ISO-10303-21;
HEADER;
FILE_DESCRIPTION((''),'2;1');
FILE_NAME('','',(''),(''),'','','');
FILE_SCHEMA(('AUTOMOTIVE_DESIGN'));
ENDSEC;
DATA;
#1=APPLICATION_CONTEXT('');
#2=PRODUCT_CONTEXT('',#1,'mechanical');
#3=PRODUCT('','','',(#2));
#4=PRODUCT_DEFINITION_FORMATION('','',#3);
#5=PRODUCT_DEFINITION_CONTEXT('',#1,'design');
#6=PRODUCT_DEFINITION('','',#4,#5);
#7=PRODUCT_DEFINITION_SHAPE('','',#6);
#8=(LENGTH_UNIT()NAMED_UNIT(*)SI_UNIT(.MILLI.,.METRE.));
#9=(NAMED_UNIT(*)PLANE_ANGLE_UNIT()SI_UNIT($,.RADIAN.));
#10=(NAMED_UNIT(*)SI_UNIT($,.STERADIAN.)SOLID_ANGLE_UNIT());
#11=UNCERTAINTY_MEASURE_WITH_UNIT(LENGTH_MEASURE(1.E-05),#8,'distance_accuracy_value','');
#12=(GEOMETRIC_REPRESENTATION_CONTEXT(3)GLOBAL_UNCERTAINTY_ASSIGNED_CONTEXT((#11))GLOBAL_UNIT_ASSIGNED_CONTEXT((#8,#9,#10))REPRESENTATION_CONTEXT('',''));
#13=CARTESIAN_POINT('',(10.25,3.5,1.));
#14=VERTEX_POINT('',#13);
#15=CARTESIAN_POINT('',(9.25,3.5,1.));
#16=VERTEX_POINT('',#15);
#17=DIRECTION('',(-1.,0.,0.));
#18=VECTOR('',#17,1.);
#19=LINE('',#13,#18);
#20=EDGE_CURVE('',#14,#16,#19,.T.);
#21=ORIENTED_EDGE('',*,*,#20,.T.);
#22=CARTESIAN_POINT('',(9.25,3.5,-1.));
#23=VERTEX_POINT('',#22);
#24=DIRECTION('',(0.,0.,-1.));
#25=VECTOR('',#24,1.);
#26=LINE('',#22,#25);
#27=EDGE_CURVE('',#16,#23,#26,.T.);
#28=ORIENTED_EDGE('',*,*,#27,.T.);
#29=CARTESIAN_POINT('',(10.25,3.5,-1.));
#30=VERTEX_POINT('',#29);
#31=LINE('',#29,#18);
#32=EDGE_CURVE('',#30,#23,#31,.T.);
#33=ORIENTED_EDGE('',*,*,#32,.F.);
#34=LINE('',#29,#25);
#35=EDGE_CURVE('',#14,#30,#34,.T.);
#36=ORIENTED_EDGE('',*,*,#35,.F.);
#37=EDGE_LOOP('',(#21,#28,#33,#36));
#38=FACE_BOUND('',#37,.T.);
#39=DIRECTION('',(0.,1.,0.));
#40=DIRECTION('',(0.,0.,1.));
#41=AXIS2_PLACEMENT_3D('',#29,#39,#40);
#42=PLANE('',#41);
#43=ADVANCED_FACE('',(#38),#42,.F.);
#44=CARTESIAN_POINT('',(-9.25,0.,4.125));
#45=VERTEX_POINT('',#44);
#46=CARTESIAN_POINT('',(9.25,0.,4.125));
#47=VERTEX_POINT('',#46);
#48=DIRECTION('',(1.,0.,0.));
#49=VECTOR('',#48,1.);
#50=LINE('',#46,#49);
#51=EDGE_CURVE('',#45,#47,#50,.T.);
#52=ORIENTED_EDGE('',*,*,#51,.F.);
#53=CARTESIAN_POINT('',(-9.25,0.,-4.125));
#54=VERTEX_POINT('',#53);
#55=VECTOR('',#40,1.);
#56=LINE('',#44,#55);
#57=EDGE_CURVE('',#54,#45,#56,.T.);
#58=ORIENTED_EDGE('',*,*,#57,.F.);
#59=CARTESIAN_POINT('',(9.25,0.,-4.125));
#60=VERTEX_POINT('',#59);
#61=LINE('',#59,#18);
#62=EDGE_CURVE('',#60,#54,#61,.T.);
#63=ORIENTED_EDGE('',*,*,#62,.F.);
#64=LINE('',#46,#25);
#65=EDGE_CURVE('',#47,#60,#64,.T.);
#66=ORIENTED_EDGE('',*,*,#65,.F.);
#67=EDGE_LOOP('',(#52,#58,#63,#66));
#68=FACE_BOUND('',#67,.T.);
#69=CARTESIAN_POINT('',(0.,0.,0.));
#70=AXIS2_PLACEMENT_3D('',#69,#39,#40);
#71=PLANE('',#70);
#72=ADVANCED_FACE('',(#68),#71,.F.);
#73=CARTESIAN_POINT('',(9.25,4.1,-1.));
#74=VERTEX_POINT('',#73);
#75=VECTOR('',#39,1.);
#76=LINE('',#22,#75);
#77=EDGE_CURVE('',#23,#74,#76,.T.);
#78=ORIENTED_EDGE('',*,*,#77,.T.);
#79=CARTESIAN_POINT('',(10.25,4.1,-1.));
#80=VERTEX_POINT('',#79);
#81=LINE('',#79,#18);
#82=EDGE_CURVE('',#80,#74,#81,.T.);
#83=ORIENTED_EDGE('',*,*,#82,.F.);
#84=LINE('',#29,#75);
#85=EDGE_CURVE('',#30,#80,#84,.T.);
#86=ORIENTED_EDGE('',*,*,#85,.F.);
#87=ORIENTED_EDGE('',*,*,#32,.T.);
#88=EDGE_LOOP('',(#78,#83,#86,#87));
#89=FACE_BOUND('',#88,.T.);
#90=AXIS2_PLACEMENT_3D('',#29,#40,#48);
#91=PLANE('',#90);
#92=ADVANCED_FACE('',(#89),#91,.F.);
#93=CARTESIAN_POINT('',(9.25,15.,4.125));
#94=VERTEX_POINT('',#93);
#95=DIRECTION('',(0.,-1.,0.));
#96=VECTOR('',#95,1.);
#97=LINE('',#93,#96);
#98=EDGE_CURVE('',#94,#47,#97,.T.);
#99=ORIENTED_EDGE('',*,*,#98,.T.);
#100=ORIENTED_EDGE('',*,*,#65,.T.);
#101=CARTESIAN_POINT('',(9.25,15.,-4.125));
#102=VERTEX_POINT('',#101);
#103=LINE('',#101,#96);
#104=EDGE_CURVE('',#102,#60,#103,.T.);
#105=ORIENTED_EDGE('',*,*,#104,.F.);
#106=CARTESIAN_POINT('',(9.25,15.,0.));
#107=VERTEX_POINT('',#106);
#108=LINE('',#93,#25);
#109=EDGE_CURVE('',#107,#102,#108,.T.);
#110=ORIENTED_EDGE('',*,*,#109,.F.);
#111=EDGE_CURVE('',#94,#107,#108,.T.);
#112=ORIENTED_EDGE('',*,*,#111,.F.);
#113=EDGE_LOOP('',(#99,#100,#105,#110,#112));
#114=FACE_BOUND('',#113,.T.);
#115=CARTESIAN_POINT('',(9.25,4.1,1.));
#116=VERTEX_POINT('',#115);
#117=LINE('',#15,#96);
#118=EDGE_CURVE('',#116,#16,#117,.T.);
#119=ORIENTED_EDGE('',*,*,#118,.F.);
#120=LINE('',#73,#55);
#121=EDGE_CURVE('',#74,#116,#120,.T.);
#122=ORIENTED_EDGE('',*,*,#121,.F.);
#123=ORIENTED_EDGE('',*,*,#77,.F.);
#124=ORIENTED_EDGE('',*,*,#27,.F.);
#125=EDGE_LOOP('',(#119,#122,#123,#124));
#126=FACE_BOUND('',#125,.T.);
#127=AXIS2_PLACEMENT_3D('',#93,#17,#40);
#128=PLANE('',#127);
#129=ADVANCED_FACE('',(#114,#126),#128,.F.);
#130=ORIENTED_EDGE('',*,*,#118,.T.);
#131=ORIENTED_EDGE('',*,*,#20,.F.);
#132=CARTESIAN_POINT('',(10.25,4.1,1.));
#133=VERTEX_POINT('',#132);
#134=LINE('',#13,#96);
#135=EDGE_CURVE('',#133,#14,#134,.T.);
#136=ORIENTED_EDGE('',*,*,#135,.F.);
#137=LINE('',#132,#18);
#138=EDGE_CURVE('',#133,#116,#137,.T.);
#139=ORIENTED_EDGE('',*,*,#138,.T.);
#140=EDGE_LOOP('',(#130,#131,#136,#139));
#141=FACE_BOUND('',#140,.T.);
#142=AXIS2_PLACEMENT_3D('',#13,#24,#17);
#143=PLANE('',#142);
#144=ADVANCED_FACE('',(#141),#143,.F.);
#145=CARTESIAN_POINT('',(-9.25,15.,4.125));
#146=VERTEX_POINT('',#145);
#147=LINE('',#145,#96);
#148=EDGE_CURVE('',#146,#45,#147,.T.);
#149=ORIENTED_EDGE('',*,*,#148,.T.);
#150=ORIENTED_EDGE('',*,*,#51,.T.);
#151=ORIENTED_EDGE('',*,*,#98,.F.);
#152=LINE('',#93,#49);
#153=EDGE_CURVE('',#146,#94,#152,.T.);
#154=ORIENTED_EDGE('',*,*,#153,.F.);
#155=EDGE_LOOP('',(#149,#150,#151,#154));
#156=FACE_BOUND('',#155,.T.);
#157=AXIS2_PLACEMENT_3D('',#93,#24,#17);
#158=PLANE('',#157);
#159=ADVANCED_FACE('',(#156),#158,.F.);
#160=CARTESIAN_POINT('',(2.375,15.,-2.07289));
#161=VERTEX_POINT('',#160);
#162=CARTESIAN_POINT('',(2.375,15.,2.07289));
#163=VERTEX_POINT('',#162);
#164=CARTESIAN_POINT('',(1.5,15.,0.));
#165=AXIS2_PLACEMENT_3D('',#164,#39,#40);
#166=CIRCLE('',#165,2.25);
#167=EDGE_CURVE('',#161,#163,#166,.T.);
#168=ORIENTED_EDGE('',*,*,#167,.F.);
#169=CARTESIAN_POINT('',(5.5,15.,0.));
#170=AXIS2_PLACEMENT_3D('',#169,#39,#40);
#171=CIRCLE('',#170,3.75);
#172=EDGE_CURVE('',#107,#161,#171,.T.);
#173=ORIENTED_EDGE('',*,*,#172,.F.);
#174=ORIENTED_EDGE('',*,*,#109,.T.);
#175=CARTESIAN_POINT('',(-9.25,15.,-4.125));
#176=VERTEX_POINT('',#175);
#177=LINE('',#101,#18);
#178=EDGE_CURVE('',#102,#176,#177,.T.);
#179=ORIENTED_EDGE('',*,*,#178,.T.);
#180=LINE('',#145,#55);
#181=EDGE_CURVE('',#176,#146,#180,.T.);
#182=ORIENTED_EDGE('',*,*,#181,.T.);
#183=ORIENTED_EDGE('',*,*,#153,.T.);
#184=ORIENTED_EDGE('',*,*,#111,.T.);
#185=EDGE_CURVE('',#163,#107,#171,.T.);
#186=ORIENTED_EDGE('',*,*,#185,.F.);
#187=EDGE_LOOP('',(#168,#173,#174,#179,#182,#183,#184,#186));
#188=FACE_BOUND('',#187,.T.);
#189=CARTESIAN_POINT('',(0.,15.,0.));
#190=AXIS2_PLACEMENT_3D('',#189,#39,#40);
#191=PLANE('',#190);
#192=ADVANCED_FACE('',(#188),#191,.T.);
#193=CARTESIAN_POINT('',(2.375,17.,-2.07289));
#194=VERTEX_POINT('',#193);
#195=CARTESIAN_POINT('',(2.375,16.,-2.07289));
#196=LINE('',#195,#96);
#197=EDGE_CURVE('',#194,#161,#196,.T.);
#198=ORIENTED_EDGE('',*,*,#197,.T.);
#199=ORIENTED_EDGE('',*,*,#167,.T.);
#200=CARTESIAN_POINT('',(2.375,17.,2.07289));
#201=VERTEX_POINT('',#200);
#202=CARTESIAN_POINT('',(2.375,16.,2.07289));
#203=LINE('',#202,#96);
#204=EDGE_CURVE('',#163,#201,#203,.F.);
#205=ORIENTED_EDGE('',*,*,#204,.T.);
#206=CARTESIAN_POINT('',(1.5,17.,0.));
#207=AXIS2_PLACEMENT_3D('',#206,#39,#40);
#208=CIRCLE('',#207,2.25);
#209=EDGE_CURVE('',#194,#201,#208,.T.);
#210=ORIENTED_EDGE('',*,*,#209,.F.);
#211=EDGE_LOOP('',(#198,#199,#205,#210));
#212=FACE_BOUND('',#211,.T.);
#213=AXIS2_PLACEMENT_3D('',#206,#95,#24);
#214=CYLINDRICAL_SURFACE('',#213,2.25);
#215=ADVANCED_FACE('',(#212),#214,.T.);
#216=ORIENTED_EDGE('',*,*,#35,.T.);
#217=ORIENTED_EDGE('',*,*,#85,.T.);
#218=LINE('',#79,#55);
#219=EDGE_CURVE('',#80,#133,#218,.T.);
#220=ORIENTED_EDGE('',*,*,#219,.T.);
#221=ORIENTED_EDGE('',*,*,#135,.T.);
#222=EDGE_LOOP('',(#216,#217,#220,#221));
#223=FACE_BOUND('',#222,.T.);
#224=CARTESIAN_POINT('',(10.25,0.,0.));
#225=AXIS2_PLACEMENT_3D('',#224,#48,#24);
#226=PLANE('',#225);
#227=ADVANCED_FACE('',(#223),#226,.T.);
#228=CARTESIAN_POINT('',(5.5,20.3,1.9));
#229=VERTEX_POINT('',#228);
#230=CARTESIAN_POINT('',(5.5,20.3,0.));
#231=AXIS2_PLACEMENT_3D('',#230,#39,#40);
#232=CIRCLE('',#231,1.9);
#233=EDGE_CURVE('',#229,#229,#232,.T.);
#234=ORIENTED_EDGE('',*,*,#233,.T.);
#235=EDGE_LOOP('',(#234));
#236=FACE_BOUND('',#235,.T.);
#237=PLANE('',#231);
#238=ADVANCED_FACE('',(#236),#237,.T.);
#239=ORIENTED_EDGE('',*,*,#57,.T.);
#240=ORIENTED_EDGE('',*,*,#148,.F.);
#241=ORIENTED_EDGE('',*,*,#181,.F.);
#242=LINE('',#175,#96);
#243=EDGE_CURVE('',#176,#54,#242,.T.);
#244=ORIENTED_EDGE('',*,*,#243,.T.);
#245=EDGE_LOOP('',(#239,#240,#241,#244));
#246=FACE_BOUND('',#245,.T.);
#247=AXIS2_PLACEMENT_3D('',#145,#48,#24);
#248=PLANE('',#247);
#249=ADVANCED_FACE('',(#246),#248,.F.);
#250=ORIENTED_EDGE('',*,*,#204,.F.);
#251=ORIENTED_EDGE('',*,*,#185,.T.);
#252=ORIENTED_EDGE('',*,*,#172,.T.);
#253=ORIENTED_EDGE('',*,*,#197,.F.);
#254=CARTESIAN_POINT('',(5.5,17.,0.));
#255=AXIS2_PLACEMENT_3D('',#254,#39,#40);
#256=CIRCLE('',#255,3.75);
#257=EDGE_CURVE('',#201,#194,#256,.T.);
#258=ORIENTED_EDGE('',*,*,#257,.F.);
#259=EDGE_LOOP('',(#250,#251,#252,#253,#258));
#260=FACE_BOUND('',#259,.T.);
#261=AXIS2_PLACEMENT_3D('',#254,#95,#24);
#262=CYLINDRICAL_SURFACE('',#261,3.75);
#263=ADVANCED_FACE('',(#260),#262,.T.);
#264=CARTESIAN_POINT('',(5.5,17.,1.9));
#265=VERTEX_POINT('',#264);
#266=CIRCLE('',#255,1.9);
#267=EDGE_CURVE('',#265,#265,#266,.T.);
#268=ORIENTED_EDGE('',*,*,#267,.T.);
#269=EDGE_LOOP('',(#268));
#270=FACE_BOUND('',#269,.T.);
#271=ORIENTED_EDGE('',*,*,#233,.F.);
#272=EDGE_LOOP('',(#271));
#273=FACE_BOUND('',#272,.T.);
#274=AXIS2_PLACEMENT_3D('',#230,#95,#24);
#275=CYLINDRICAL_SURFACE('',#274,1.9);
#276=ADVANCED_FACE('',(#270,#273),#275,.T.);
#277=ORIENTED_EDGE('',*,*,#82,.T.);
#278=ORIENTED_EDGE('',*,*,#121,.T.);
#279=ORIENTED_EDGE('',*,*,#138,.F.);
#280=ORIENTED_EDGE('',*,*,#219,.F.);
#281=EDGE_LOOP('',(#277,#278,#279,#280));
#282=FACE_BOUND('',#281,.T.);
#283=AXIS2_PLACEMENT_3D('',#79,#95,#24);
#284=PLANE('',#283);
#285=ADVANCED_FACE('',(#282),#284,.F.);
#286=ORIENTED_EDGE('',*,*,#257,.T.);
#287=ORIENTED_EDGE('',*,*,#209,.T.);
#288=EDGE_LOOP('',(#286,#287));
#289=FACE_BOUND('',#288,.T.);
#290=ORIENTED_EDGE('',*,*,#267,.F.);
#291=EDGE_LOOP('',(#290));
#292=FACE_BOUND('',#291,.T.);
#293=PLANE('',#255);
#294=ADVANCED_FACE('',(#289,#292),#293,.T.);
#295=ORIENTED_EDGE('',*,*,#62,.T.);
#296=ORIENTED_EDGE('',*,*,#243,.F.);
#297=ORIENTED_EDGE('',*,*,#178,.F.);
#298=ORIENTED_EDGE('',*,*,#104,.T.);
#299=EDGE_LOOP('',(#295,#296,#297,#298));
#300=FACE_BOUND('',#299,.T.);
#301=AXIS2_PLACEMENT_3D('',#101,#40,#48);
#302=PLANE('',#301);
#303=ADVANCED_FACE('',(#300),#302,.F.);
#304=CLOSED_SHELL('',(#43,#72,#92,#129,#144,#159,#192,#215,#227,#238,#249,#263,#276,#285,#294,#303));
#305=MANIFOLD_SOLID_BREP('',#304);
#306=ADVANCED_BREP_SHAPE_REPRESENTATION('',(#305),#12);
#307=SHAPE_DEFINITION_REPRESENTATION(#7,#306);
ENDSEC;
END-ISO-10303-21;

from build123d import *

# Parameters (mm, degrees)
SKETCH_1_W      = 18.5
SKETCH_1_H      = 8.25
EXTRUDE_1_DEPTH = 15
SKETCH_2_R      = 3.75
EXTRUDE_2_DEPTH = 2
SKETCH_3_R      = 2.25
EXTRUDE_3_DEPTH = 2
SKETCH_4_R      = 1.9
EXTRUDE_4_DEPTH = 3.3
SKETCH_5_W      = 2
SKETCH_5_H      = 0.6
EXTRUDE_5_DEPTH = 1


with BuildPart() as part:
    # 草图1 → 凸台-拉伸1 (new body)
    with BuildSketch(Plane(origin=(0, 0, 0), x_dir=(1, 0, 0), z_dir=(0, 1, 0))):
        Rectangle(SKETCH_1_W, SKETCH_1_H)
    extrude(amount=EXTRUDE_1_DEPTH)

    # 草图2 → 凸台-拉伸2 (add)
    with BuildSketch(Plane(origin=(0, 15, 0), x_dir=(1, 0, 0), z_dir=(0, 1, 0))):
        with Locations((5.5, 0)):
            Circle(SKETCH_2_R)
    extrude(amount=EXTRUDE_2_DEPTH)

    # 草图3 → 凸台-拉伸3 (add)
    with BuildSketch(Plane(origin=(0, 15, 0), x_dir=(1, 0, 0), z_dir=(0, 1, 0))):
        with Locations((1.5, 0)):
            Circle(SKETCH_3_R)
    extrude(amount=EXTRUDE_3_DEPTH)

    # 草图4 → 凸台-拉伸4 (add)
    with BuildSketch(Plane(origin=(0, 17, 0), x_dir=(1, 0, 0), z_dir=(0, 1, 0))):
        with Locations((5.5, 0)):
            Circle(SKETCH_4_R)
    extrude(amount=EXTRUDE_4_DEPTH)

    # 草图5 → 凸台-拉伸5 (add)
    with BuildSketch(Plane(origin=(9.25, 0, 0), x_dir=(0, 0, -1), z_dir=(1, 0, 0))):
        with Locations((0, 3.8)):
            Rectangle(SKETCH_5_W, SKETCH_5_H)
    extrude(amount=EXTRUDE_5_DEPTH)


solid = part.part
